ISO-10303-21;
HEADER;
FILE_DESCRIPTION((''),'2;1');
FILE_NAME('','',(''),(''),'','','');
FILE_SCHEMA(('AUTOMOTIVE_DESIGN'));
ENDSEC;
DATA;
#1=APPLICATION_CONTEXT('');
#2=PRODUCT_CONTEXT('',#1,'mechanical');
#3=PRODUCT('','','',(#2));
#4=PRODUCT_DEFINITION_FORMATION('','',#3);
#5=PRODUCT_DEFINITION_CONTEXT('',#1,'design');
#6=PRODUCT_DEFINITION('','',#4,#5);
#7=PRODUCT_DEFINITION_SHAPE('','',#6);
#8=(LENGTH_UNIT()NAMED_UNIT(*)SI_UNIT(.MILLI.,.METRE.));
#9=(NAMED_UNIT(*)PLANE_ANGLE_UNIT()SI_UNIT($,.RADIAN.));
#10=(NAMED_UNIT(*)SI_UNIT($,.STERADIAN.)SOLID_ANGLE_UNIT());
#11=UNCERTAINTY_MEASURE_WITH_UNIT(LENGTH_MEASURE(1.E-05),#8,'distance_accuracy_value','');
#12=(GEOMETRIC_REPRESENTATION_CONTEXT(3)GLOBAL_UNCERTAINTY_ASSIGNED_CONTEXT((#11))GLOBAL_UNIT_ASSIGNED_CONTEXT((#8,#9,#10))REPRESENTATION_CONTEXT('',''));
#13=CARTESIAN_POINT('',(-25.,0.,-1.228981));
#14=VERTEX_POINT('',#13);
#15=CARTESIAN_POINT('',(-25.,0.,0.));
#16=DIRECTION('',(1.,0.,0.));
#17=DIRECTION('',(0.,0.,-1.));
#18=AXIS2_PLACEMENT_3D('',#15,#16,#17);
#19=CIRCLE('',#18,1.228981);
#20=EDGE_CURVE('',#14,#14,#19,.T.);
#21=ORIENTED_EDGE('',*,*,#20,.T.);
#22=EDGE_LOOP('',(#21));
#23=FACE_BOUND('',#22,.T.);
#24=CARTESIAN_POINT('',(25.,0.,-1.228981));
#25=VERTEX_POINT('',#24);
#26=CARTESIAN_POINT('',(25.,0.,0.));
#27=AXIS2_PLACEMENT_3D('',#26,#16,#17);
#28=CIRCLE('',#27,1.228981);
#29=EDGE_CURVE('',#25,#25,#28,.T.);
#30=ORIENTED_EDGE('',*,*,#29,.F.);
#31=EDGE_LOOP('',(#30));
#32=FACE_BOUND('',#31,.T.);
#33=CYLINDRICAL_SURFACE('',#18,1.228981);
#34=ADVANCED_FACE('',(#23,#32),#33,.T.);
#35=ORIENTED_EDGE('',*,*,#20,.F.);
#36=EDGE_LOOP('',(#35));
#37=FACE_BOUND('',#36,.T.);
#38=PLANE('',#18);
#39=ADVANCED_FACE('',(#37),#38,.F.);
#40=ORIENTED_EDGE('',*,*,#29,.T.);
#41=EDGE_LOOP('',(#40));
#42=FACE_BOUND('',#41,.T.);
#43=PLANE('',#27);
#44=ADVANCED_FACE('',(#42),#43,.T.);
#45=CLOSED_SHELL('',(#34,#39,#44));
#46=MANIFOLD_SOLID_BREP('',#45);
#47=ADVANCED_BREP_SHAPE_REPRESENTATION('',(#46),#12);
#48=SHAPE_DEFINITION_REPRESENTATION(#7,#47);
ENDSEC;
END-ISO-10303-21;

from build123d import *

# Parameters (mm, degrees)
EXTRUDE1_DEPTH      = 25
EXTRUDE1_DEPTH_BACK = 25
SKETCH1_R           = 1.228981018


with BuildPart() as part:
    # Sketch1 → Extrude1 (new, two sides: drawn at the far end of the back side and taken through both)
    with BuildSketch(Plane(origin=(0, 0, 0), x_dir=(0, 0, -1), z_dir=(1, 0, 0)).offset(-EXTRUDE1_DEPTH_BACK)):
        Circle(SKETCH1_R)
    extrude(amount=EXTRUDE1_DEPTH + EXTRUDE1_DEPTH_BACK)


solid = part.part
